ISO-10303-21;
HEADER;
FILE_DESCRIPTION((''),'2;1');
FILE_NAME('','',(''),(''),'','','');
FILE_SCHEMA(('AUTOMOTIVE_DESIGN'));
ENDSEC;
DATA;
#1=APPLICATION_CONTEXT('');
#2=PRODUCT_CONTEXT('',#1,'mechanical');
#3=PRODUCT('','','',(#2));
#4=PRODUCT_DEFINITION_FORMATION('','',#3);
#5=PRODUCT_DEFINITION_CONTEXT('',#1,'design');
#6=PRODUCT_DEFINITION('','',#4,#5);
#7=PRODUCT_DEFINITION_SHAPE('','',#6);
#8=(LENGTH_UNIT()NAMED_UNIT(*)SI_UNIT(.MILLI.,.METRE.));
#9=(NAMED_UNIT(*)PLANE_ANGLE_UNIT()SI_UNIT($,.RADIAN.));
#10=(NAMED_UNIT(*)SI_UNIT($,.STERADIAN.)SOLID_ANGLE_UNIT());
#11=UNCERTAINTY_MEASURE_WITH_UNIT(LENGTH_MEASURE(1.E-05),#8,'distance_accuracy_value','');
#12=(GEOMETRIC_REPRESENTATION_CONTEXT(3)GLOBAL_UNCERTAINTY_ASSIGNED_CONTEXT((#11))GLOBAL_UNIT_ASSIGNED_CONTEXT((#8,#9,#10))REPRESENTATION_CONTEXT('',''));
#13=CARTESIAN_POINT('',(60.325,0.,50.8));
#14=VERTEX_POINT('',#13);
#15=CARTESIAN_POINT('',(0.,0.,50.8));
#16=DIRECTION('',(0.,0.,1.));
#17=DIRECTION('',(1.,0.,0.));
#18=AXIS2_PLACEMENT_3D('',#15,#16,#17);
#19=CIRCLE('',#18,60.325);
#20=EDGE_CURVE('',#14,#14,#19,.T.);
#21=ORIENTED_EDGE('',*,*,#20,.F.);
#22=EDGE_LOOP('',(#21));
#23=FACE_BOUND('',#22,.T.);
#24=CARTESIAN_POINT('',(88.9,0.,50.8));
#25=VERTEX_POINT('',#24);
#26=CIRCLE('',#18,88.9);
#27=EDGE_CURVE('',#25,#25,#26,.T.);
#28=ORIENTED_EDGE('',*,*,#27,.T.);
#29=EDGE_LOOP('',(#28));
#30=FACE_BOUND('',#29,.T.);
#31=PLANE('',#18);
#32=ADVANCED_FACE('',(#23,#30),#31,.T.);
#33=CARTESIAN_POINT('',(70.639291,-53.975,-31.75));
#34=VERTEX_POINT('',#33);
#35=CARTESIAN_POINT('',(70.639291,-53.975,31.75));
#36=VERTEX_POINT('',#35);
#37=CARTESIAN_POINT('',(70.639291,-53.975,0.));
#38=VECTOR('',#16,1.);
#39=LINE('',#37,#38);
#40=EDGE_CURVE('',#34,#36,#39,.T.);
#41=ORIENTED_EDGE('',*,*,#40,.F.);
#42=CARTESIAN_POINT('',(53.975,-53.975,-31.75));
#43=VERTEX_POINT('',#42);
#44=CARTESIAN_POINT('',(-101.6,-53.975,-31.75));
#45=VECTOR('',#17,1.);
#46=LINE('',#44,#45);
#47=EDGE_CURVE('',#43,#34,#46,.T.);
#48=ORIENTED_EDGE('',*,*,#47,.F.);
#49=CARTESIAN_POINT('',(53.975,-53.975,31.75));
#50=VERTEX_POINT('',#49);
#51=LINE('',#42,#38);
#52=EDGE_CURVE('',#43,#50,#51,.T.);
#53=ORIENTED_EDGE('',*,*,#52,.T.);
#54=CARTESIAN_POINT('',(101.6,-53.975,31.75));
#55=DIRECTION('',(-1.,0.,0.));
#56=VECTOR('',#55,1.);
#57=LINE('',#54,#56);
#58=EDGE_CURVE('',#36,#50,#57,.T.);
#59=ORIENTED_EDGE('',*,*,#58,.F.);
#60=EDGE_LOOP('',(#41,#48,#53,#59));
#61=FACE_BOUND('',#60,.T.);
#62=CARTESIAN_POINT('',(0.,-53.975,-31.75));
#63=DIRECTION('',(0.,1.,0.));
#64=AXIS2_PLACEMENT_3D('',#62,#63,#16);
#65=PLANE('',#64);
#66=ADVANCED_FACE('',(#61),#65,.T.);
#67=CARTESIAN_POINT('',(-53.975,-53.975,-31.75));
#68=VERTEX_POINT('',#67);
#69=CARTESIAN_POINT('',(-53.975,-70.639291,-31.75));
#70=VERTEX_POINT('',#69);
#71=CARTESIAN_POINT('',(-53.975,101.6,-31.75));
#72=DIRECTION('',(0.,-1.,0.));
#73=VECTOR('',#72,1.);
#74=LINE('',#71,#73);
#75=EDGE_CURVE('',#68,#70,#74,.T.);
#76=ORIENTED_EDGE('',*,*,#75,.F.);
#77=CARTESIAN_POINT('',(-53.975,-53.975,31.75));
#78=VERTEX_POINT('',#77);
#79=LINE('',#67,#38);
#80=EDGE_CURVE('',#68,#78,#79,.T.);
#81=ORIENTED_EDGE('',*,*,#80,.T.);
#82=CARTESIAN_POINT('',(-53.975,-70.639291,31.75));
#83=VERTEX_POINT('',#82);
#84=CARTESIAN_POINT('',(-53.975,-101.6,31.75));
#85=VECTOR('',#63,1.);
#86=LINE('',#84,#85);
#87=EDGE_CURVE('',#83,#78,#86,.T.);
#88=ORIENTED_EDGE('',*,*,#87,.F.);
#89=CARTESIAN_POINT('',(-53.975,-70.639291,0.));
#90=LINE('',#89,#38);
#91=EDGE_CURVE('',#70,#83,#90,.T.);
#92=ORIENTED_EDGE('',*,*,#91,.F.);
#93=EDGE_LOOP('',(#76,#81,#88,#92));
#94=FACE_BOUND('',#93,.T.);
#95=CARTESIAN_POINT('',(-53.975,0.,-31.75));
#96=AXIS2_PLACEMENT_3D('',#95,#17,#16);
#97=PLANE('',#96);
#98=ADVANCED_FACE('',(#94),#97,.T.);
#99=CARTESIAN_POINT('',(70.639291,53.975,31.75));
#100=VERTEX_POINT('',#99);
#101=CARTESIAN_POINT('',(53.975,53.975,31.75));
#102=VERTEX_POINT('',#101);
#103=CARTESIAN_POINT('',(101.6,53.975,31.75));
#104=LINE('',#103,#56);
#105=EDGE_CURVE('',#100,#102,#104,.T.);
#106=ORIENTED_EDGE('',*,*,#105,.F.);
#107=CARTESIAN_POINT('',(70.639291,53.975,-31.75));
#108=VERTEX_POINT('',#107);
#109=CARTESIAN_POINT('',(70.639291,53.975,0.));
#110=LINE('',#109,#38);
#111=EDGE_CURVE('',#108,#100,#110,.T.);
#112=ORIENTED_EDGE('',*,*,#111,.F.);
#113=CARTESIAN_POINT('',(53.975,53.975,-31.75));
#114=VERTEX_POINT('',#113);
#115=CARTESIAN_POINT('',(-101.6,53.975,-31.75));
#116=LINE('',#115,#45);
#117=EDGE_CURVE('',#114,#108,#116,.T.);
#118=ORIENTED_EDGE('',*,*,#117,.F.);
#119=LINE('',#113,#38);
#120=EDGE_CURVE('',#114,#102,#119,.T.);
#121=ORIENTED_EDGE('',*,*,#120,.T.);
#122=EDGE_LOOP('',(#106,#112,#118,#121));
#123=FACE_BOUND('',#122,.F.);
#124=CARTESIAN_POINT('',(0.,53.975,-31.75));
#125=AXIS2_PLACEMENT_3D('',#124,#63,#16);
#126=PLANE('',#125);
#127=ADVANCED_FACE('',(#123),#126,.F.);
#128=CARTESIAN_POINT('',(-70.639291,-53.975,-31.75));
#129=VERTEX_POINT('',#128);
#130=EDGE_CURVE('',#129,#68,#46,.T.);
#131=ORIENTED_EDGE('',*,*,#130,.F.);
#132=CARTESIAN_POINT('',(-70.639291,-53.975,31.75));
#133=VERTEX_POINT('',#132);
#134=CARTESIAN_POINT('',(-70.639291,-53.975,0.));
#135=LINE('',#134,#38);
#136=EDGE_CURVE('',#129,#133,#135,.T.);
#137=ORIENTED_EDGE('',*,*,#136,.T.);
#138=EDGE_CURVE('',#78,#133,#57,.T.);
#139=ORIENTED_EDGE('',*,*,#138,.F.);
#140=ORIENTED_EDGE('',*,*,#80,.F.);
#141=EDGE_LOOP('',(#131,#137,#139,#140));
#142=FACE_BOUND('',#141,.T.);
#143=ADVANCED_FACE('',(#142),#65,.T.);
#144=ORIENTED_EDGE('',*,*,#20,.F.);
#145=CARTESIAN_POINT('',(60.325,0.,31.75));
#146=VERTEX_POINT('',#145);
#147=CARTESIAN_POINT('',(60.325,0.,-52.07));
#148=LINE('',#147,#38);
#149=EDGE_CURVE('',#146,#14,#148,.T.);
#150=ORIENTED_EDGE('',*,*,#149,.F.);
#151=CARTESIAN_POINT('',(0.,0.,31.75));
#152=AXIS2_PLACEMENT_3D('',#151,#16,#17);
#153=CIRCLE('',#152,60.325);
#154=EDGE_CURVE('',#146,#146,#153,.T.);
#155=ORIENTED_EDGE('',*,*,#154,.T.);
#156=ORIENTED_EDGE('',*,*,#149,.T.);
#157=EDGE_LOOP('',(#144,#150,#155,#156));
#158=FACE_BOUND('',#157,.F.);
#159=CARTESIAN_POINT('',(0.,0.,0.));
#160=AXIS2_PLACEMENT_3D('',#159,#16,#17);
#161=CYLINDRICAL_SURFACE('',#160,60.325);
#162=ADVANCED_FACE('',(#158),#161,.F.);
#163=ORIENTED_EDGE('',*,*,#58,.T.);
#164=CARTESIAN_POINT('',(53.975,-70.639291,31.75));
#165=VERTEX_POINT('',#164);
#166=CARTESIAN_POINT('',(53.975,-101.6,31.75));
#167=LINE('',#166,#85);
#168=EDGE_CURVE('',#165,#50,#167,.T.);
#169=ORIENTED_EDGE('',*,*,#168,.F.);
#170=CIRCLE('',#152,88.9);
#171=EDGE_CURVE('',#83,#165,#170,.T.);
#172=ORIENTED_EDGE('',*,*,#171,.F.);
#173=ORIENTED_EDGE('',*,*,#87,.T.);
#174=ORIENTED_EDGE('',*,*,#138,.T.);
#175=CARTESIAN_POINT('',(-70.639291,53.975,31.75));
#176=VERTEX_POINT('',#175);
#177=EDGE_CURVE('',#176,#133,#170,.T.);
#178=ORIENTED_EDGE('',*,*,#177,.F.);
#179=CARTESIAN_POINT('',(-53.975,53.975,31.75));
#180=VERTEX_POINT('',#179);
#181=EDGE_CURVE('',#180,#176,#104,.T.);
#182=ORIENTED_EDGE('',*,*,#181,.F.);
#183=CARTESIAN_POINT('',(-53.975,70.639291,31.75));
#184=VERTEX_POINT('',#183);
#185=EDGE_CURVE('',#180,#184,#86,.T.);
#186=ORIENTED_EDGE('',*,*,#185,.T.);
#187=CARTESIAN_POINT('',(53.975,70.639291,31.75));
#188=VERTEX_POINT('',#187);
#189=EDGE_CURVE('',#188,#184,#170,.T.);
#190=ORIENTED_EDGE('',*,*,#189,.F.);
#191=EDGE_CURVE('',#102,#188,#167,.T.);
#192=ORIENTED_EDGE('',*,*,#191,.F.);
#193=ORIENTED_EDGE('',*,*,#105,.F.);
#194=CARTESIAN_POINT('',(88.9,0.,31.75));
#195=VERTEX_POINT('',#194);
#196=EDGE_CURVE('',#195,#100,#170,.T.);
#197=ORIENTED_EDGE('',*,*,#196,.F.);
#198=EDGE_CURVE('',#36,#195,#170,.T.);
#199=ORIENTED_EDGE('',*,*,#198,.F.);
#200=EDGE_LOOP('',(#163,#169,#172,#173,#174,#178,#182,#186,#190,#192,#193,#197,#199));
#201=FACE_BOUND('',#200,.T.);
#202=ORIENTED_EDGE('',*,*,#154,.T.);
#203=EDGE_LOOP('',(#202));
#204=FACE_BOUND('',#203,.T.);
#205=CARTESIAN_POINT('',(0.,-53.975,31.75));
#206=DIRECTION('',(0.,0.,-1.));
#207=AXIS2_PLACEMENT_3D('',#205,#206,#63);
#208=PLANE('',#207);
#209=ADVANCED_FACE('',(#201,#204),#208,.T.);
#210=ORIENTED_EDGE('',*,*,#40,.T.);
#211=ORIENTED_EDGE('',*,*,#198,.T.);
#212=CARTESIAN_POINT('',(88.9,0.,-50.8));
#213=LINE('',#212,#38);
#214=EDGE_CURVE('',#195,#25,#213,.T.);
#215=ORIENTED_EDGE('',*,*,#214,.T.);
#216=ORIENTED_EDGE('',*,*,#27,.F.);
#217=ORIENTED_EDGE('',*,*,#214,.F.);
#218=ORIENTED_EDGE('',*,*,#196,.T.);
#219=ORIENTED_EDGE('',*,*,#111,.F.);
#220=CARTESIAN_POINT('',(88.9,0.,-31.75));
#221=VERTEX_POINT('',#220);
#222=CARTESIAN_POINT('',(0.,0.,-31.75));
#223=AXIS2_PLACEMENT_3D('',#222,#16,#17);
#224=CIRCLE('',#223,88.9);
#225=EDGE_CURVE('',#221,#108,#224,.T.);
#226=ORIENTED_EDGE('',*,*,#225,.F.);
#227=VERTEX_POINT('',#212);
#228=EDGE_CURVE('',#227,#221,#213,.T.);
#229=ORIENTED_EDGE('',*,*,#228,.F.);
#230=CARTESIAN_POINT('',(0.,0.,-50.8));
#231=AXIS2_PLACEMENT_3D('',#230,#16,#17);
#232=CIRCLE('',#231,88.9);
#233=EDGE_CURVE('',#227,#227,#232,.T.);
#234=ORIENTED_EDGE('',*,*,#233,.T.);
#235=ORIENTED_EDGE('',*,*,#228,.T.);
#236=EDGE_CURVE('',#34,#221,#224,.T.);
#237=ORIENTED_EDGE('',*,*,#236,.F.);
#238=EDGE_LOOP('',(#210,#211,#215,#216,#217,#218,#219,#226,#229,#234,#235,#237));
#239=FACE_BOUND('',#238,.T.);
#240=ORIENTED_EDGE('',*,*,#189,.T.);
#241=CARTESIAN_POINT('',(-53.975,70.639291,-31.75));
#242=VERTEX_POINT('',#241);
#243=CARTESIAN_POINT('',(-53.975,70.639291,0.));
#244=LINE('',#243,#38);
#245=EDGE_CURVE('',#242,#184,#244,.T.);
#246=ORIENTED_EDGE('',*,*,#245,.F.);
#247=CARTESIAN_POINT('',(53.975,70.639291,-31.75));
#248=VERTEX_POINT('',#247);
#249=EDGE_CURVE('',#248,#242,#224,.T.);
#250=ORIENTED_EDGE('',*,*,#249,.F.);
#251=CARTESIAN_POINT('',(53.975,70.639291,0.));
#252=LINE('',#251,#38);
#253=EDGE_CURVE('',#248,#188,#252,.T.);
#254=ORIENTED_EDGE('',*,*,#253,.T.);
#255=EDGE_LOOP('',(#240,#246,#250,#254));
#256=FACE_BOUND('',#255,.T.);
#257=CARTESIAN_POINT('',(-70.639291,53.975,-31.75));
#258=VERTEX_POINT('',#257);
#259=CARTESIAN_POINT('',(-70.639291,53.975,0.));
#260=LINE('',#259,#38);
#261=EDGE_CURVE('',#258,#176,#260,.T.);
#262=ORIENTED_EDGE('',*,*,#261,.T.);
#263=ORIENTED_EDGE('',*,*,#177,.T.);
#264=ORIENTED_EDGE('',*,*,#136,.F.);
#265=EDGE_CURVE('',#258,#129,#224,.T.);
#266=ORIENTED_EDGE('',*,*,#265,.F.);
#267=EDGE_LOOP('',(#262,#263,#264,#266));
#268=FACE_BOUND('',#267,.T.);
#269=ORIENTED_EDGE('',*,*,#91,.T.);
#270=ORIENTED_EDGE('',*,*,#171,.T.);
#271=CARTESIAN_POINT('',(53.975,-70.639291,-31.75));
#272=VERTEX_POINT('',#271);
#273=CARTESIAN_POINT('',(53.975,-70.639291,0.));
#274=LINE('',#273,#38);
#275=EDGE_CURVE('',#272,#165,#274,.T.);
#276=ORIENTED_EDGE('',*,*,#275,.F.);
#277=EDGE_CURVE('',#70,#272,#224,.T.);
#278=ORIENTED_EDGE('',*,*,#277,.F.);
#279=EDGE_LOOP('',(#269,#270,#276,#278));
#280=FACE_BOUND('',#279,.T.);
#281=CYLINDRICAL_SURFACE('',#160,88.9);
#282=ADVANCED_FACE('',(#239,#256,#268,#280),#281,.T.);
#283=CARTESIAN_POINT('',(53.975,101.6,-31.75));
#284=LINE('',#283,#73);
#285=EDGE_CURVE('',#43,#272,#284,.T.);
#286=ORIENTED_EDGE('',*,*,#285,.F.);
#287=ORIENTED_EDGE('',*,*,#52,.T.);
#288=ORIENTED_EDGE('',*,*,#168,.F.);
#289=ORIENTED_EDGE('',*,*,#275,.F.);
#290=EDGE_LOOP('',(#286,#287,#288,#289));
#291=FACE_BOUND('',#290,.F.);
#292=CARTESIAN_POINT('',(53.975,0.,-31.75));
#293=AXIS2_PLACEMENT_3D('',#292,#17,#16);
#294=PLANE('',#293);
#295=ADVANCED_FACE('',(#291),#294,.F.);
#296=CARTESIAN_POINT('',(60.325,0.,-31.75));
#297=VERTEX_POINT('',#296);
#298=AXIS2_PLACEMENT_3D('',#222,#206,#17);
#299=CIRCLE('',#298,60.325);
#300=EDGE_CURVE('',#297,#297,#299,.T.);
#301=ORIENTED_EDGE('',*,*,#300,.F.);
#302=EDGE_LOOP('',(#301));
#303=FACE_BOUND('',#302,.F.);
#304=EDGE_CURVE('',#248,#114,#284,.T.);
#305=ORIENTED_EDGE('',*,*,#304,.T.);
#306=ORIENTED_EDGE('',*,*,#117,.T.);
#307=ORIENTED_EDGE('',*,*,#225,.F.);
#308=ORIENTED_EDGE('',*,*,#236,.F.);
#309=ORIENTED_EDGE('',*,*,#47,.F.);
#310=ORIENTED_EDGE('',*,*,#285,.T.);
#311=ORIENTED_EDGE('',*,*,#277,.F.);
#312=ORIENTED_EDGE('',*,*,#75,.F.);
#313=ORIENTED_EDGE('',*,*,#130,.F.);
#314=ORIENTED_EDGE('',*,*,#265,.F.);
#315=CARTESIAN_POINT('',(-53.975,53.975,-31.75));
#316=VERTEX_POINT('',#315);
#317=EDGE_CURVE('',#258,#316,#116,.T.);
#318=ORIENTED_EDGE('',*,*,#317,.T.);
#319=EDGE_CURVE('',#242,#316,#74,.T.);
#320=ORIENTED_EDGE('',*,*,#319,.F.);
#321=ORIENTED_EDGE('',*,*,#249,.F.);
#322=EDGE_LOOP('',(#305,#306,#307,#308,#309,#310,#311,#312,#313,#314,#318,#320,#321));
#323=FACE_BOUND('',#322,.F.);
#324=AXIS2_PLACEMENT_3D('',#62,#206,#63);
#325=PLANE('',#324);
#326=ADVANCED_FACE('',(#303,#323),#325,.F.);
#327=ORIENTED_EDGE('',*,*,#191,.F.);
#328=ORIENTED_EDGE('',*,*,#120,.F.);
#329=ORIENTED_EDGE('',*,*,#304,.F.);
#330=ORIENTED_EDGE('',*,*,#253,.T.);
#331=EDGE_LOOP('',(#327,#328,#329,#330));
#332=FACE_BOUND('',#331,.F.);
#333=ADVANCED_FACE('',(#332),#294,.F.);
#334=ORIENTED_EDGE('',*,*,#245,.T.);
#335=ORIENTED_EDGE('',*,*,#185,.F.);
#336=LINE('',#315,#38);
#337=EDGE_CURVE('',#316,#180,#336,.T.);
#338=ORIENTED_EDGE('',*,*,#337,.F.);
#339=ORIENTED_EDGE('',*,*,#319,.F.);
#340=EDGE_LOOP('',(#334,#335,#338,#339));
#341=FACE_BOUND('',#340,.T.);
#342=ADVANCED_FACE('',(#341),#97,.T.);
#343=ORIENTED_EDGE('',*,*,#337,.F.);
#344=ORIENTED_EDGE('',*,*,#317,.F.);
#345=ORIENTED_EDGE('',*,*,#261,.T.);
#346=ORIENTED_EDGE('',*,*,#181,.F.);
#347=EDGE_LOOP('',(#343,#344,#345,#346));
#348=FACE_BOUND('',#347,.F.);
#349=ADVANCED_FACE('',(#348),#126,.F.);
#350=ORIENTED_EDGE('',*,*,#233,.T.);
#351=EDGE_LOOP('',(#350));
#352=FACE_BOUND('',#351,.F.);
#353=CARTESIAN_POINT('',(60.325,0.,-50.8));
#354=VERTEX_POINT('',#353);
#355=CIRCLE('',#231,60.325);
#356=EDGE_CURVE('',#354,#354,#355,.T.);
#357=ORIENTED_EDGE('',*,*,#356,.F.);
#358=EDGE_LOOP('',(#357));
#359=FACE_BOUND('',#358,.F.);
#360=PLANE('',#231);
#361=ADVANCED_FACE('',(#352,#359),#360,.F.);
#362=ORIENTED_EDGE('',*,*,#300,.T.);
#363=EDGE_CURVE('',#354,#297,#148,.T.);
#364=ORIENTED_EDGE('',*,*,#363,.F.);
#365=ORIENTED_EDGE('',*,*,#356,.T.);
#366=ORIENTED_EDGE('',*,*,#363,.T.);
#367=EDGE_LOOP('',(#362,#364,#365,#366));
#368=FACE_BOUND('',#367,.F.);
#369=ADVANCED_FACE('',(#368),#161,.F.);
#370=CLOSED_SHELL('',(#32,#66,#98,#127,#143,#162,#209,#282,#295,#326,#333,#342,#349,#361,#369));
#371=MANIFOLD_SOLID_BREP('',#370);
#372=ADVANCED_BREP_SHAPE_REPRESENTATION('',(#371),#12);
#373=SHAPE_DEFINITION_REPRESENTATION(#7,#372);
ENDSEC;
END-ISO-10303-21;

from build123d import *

# Parameters (mm, degrees)
F0_R     = 88.9
F1_DEPTH = 50.8
F2_R     = 60.325
F3_DEPTH = 52.07
F4_W     = 107.95
F4_H     = 63.5
F5_DEPTH = 101.6
F6_W     = 107.95
F6_H     = 63.5
F7_DEPTH = 101.6


with BuildPart() as f1:
    # F0 (on Top) → F1 (new body, symmetric)
    with BuildSketch(Plane.XY):
        Circle(F0_R)
    extrude(amount=F1_DEPTH, both=True)

    # F2 (on Top) → F3 (cut, symmetric)
    with BuildSketch(Plane.XY):
        Circle(F2_R)
    extrude(amount=F3_DEPTH, both=True, mode=Mode.SUBTRACT)

    # F4 (on Front) → F5 (cut, symmetric)
    with BuildSketch(Plane.XZ):
        Rectangle(F4_W, F4_H)
    extrude(amount=F5_DEPTH, both=True, mode=Mode.SUBTRACT)

    # F6 (on Right) → F7 (cut, symmetric)
    with BuildSketch(Plane.YZ):
        Rectangle(F6_W, F6_H)
    extrude(amount=F7_DEPTH, both=True, mode=Mode.SUBTRACT)


solid = f1.part
